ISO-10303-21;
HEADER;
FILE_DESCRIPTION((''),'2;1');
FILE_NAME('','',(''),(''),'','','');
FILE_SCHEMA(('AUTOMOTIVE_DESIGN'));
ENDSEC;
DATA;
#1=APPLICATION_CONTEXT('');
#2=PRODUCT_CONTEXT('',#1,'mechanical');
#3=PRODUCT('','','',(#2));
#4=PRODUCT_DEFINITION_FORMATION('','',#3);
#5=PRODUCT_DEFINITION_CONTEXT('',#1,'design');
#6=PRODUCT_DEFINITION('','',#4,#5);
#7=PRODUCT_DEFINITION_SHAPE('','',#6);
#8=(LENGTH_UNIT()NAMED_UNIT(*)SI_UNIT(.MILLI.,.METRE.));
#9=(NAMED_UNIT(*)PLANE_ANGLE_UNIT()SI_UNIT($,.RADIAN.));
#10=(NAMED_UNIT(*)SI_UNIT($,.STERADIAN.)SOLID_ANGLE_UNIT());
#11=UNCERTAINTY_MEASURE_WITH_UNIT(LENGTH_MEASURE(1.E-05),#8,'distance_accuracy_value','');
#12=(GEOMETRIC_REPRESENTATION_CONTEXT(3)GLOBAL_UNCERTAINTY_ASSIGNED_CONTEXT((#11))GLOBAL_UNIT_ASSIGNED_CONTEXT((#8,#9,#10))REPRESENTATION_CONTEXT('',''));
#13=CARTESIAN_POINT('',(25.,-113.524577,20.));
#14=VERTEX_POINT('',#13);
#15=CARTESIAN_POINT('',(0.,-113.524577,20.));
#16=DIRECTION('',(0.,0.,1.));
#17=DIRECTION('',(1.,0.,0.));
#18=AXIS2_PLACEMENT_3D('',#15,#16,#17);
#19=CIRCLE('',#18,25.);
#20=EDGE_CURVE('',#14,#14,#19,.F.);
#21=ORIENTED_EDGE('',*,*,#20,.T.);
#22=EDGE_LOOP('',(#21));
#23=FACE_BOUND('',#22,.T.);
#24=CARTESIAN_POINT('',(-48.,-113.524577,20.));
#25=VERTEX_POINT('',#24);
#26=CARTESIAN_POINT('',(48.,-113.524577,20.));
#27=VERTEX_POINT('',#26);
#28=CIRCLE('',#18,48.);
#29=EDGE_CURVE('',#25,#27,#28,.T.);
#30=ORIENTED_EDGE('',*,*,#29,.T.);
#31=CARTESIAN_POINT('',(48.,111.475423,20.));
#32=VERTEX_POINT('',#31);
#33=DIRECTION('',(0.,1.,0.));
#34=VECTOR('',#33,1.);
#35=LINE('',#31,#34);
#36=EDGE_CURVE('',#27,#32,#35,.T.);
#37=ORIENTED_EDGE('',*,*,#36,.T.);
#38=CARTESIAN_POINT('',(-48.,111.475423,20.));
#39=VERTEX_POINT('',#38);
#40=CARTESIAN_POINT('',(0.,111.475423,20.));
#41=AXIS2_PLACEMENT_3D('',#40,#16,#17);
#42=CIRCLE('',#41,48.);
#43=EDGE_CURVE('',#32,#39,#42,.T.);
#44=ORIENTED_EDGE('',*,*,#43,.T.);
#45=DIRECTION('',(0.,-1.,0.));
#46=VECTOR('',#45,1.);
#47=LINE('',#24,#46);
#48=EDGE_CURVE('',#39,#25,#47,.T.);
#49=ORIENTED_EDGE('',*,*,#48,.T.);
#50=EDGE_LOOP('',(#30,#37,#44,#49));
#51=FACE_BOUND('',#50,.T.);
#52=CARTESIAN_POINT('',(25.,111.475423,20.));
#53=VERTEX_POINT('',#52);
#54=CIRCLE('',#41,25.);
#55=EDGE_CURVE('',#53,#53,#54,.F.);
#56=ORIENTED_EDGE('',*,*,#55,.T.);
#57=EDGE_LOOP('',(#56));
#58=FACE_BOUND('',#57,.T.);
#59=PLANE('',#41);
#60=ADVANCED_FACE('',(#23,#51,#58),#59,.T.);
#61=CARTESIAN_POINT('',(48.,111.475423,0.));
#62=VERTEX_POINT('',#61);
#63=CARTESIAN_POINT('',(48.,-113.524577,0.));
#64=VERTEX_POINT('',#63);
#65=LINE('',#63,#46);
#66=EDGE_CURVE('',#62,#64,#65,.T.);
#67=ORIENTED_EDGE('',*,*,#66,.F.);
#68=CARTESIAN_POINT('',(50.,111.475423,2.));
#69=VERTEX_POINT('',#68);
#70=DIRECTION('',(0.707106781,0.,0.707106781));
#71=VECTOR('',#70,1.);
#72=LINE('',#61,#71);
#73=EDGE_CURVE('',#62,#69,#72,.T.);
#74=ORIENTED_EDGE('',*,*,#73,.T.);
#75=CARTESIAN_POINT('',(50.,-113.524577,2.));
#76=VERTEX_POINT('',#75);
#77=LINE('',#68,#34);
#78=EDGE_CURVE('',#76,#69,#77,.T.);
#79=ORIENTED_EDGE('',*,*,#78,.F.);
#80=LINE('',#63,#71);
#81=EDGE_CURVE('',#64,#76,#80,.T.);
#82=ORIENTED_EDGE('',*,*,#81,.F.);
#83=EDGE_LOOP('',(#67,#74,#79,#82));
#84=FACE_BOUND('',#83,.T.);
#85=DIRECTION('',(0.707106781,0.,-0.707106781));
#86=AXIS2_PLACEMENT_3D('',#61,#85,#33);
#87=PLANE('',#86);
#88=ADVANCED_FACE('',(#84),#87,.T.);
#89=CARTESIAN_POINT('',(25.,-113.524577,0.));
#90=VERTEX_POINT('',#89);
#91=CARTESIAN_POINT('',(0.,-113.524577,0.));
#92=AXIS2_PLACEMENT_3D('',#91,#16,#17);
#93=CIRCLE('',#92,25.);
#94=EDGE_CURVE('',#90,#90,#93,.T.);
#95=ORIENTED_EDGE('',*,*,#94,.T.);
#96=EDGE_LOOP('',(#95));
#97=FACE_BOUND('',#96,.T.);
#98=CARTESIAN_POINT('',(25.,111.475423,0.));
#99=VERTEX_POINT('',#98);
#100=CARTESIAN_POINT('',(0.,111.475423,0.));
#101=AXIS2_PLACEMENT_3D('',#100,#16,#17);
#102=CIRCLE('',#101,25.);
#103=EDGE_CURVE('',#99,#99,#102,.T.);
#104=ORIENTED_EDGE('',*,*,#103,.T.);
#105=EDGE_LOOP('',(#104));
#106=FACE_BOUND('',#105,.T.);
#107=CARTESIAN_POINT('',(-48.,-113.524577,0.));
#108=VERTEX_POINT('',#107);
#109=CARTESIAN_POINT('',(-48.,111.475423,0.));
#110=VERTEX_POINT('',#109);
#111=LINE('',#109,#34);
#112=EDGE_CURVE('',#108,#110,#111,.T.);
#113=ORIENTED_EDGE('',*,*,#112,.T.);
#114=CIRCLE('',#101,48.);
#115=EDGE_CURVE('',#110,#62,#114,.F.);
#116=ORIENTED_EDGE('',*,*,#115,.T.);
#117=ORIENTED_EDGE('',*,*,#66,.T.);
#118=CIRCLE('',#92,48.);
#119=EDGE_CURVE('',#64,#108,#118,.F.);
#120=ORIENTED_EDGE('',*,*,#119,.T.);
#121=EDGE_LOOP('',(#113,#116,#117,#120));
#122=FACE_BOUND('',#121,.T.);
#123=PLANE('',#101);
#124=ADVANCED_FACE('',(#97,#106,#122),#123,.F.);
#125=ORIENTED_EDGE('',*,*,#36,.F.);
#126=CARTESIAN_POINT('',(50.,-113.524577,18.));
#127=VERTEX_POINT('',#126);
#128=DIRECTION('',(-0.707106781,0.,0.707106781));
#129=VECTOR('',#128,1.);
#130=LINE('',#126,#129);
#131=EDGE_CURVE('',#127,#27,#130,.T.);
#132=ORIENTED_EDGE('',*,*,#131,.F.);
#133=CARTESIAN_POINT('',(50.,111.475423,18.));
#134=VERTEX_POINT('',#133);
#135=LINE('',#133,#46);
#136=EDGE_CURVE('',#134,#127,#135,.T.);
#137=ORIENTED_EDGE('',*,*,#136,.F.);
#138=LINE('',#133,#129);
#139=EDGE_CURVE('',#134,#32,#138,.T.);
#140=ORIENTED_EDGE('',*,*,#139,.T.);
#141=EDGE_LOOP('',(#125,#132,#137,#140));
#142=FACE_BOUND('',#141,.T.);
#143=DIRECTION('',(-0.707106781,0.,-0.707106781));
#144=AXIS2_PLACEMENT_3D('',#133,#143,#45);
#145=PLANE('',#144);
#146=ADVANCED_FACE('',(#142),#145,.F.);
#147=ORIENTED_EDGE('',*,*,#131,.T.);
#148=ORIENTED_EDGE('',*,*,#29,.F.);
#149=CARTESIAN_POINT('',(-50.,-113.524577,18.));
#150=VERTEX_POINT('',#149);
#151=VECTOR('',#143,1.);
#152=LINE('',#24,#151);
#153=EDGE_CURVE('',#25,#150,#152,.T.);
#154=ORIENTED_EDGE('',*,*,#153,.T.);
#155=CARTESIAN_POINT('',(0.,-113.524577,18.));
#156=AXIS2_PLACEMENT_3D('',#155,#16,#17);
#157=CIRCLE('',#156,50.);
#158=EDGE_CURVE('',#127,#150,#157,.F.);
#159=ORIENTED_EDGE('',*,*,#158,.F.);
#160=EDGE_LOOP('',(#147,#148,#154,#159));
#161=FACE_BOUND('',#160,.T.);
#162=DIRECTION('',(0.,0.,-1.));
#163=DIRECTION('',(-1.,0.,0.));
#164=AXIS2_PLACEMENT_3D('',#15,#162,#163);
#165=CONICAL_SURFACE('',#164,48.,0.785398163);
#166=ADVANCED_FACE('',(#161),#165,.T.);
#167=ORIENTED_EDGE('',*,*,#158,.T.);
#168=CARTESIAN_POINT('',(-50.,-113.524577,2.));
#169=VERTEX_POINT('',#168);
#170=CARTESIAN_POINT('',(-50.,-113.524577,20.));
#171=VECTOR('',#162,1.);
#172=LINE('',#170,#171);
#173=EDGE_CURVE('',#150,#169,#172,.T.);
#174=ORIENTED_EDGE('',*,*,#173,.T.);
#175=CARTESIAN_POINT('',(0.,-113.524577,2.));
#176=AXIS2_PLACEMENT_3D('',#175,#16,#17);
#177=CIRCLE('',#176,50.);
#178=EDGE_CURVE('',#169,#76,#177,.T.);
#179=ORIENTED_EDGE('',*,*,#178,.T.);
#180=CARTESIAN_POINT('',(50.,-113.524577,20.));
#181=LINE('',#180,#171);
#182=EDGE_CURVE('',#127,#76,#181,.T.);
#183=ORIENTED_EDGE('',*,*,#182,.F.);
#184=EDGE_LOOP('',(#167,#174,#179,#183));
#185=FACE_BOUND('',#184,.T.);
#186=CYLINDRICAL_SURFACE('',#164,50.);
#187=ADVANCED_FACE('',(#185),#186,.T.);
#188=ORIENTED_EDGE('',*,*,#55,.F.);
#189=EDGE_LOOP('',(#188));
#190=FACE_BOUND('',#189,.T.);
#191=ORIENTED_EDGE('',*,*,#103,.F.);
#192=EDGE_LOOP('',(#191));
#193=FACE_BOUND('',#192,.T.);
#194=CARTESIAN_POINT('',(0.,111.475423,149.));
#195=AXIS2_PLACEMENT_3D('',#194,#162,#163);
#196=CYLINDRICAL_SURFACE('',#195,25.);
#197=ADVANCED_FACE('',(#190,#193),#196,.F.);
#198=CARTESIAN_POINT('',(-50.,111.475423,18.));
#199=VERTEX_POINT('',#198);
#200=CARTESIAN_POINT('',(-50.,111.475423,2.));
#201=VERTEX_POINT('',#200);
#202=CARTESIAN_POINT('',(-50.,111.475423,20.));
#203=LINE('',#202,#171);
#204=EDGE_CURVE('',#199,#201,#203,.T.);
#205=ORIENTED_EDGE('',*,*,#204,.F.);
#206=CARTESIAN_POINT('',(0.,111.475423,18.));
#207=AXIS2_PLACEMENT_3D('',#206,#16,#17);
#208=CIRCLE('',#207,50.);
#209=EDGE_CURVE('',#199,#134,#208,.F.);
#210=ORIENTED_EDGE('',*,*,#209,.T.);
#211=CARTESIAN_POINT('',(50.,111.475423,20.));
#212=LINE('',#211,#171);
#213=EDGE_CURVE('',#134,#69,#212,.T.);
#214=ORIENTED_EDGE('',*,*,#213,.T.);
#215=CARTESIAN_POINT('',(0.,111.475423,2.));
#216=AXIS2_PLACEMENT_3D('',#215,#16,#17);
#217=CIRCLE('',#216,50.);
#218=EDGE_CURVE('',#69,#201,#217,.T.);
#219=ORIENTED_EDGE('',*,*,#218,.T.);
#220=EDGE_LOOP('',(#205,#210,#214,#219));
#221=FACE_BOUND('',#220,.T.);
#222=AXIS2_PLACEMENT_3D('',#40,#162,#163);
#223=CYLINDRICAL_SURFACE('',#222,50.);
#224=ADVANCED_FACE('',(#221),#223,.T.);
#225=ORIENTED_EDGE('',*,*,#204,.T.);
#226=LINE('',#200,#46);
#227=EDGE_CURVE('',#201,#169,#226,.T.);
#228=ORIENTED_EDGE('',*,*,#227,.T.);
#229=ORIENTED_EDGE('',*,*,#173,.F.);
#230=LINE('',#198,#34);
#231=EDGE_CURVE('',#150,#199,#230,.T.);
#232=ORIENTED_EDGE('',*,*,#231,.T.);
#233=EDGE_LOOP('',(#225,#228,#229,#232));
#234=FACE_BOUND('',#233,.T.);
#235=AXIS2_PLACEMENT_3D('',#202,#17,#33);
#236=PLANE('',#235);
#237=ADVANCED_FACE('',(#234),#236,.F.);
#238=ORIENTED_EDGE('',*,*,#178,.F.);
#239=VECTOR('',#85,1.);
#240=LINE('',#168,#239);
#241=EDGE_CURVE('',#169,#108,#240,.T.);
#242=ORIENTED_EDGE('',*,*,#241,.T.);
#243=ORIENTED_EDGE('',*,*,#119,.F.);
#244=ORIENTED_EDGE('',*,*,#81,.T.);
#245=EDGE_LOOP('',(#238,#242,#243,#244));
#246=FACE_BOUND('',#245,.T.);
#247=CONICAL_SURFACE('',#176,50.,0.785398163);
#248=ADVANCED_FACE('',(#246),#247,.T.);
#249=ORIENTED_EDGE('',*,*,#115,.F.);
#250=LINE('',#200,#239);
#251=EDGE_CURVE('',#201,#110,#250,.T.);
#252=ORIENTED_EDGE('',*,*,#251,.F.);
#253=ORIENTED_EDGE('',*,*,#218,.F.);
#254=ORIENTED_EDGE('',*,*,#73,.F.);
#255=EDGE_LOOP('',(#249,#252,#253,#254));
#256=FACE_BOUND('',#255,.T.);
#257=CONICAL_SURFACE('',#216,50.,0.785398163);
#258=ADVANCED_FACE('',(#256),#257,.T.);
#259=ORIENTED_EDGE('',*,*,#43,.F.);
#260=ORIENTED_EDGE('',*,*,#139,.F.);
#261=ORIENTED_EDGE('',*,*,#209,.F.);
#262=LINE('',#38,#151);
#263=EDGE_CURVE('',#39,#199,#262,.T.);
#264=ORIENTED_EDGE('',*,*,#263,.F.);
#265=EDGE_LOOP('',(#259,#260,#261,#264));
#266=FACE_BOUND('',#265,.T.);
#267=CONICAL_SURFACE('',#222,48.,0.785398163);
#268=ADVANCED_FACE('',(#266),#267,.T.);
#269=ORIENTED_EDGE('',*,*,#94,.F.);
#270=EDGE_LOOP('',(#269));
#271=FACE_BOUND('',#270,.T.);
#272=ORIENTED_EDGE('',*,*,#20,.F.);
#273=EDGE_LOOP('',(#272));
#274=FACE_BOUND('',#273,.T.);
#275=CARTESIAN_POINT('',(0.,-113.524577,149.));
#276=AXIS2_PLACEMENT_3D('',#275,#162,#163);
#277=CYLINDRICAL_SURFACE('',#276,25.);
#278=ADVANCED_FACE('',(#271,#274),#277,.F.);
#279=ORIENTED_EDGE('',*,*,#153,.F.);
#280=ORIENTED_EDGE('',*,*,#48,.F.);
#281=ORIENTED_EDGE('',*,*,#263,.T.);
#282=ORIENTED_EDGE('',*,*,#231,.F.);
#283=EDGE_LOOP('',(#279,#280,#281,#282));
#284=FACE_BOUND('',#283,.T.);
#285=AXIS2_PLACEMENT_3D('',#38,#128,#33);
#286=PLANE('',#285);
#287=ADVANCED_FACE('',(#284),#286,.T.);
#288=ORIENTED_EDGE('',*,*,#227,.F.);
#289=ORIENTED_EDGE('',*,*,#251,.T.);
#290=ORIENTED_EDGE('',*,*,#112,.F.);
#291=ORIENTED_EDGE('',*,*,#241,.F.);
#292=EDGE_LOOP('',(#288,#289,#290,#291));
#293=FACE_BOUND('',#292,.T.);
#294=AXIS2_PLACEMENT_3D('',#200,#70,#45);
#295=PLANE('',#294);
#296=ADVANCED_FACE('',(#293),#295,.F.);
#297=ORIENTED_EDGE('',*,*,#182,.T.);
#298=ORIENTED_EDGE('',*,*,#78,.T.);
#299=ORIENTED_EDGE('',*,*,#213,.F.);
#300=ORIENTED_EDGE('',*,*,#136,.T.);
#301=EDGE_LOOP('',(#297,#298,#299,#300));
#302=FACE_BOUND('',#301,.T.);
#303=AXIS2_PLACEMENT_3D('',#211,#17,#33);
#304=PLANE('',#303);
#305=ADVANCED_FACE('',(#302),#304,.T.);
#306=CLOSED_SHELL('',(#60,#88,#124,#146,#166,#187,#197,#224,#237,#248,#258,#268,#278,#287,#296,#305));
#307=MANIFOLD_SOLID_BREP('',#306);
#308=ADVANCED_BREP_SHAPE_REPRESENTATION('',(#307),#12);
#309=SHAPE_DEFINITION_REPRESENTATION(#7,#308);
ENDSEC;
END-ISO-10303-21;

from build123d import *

# Parameters (mm, degrees)
BOSS_EXTRUDE1_DEPTH = 20
SKETCH1_3_R         = 25
CUT_EXTRUDE1_DEPTH  = 149
CHAMFER1_SIZE       = 2


with BuildPart() as part:
    # Sketch1 → Boss-Extrude1 (new body)
    with BuildSketch(Plane.XY):
        with BuildLine():
            Line((-50, 111.475422903), (-50, -113.524577097))
            ThreePointArc((-50, -113.524577097), (0, -163.524577097), (50, -113.524577097))
            Line((50, -113.524577097), (50, 111.475422903))
            ThreePointArc((50, 111.475422903), (0, 161.475422903), (-50, 111.475422903))
        make_face()
    extrude(amount=BOSS_EXTRUDE1_DEPTH)

    # Sketch1<3> → Cut-Extrude1 (cut)
    with BuildSketch(Plane.XY):
        with Locations((0, 111.475422903)):
            Circle(SKETCH1_3_R)
        with Locations((0, -113.524577097)):
            Circle(SKETCH1_3_R)
    extrude(amount=CUT_EXTRUDE1_DEPTH, mode=Mode.SUBTRACT)

    # Chamfer1
    chamfer1_edges = [part.edges().sort_by_distance(p)[0] for p in [
        (0, -163.524577097, 20),
        (50, -1.024577097, 20),
        (0, 161.475422903, 20),
        (50, -1.024577097, 0),
        (0, -163.524577097, 0),
        (-50, -1.024577097, 0),
        (0, 161.475422903, 0),
        (-50, -1.024577097, 20),
    ]]
    chamfer(chamfer1_edges, length=CHAMFER1_SIZE)


solid = part.part
